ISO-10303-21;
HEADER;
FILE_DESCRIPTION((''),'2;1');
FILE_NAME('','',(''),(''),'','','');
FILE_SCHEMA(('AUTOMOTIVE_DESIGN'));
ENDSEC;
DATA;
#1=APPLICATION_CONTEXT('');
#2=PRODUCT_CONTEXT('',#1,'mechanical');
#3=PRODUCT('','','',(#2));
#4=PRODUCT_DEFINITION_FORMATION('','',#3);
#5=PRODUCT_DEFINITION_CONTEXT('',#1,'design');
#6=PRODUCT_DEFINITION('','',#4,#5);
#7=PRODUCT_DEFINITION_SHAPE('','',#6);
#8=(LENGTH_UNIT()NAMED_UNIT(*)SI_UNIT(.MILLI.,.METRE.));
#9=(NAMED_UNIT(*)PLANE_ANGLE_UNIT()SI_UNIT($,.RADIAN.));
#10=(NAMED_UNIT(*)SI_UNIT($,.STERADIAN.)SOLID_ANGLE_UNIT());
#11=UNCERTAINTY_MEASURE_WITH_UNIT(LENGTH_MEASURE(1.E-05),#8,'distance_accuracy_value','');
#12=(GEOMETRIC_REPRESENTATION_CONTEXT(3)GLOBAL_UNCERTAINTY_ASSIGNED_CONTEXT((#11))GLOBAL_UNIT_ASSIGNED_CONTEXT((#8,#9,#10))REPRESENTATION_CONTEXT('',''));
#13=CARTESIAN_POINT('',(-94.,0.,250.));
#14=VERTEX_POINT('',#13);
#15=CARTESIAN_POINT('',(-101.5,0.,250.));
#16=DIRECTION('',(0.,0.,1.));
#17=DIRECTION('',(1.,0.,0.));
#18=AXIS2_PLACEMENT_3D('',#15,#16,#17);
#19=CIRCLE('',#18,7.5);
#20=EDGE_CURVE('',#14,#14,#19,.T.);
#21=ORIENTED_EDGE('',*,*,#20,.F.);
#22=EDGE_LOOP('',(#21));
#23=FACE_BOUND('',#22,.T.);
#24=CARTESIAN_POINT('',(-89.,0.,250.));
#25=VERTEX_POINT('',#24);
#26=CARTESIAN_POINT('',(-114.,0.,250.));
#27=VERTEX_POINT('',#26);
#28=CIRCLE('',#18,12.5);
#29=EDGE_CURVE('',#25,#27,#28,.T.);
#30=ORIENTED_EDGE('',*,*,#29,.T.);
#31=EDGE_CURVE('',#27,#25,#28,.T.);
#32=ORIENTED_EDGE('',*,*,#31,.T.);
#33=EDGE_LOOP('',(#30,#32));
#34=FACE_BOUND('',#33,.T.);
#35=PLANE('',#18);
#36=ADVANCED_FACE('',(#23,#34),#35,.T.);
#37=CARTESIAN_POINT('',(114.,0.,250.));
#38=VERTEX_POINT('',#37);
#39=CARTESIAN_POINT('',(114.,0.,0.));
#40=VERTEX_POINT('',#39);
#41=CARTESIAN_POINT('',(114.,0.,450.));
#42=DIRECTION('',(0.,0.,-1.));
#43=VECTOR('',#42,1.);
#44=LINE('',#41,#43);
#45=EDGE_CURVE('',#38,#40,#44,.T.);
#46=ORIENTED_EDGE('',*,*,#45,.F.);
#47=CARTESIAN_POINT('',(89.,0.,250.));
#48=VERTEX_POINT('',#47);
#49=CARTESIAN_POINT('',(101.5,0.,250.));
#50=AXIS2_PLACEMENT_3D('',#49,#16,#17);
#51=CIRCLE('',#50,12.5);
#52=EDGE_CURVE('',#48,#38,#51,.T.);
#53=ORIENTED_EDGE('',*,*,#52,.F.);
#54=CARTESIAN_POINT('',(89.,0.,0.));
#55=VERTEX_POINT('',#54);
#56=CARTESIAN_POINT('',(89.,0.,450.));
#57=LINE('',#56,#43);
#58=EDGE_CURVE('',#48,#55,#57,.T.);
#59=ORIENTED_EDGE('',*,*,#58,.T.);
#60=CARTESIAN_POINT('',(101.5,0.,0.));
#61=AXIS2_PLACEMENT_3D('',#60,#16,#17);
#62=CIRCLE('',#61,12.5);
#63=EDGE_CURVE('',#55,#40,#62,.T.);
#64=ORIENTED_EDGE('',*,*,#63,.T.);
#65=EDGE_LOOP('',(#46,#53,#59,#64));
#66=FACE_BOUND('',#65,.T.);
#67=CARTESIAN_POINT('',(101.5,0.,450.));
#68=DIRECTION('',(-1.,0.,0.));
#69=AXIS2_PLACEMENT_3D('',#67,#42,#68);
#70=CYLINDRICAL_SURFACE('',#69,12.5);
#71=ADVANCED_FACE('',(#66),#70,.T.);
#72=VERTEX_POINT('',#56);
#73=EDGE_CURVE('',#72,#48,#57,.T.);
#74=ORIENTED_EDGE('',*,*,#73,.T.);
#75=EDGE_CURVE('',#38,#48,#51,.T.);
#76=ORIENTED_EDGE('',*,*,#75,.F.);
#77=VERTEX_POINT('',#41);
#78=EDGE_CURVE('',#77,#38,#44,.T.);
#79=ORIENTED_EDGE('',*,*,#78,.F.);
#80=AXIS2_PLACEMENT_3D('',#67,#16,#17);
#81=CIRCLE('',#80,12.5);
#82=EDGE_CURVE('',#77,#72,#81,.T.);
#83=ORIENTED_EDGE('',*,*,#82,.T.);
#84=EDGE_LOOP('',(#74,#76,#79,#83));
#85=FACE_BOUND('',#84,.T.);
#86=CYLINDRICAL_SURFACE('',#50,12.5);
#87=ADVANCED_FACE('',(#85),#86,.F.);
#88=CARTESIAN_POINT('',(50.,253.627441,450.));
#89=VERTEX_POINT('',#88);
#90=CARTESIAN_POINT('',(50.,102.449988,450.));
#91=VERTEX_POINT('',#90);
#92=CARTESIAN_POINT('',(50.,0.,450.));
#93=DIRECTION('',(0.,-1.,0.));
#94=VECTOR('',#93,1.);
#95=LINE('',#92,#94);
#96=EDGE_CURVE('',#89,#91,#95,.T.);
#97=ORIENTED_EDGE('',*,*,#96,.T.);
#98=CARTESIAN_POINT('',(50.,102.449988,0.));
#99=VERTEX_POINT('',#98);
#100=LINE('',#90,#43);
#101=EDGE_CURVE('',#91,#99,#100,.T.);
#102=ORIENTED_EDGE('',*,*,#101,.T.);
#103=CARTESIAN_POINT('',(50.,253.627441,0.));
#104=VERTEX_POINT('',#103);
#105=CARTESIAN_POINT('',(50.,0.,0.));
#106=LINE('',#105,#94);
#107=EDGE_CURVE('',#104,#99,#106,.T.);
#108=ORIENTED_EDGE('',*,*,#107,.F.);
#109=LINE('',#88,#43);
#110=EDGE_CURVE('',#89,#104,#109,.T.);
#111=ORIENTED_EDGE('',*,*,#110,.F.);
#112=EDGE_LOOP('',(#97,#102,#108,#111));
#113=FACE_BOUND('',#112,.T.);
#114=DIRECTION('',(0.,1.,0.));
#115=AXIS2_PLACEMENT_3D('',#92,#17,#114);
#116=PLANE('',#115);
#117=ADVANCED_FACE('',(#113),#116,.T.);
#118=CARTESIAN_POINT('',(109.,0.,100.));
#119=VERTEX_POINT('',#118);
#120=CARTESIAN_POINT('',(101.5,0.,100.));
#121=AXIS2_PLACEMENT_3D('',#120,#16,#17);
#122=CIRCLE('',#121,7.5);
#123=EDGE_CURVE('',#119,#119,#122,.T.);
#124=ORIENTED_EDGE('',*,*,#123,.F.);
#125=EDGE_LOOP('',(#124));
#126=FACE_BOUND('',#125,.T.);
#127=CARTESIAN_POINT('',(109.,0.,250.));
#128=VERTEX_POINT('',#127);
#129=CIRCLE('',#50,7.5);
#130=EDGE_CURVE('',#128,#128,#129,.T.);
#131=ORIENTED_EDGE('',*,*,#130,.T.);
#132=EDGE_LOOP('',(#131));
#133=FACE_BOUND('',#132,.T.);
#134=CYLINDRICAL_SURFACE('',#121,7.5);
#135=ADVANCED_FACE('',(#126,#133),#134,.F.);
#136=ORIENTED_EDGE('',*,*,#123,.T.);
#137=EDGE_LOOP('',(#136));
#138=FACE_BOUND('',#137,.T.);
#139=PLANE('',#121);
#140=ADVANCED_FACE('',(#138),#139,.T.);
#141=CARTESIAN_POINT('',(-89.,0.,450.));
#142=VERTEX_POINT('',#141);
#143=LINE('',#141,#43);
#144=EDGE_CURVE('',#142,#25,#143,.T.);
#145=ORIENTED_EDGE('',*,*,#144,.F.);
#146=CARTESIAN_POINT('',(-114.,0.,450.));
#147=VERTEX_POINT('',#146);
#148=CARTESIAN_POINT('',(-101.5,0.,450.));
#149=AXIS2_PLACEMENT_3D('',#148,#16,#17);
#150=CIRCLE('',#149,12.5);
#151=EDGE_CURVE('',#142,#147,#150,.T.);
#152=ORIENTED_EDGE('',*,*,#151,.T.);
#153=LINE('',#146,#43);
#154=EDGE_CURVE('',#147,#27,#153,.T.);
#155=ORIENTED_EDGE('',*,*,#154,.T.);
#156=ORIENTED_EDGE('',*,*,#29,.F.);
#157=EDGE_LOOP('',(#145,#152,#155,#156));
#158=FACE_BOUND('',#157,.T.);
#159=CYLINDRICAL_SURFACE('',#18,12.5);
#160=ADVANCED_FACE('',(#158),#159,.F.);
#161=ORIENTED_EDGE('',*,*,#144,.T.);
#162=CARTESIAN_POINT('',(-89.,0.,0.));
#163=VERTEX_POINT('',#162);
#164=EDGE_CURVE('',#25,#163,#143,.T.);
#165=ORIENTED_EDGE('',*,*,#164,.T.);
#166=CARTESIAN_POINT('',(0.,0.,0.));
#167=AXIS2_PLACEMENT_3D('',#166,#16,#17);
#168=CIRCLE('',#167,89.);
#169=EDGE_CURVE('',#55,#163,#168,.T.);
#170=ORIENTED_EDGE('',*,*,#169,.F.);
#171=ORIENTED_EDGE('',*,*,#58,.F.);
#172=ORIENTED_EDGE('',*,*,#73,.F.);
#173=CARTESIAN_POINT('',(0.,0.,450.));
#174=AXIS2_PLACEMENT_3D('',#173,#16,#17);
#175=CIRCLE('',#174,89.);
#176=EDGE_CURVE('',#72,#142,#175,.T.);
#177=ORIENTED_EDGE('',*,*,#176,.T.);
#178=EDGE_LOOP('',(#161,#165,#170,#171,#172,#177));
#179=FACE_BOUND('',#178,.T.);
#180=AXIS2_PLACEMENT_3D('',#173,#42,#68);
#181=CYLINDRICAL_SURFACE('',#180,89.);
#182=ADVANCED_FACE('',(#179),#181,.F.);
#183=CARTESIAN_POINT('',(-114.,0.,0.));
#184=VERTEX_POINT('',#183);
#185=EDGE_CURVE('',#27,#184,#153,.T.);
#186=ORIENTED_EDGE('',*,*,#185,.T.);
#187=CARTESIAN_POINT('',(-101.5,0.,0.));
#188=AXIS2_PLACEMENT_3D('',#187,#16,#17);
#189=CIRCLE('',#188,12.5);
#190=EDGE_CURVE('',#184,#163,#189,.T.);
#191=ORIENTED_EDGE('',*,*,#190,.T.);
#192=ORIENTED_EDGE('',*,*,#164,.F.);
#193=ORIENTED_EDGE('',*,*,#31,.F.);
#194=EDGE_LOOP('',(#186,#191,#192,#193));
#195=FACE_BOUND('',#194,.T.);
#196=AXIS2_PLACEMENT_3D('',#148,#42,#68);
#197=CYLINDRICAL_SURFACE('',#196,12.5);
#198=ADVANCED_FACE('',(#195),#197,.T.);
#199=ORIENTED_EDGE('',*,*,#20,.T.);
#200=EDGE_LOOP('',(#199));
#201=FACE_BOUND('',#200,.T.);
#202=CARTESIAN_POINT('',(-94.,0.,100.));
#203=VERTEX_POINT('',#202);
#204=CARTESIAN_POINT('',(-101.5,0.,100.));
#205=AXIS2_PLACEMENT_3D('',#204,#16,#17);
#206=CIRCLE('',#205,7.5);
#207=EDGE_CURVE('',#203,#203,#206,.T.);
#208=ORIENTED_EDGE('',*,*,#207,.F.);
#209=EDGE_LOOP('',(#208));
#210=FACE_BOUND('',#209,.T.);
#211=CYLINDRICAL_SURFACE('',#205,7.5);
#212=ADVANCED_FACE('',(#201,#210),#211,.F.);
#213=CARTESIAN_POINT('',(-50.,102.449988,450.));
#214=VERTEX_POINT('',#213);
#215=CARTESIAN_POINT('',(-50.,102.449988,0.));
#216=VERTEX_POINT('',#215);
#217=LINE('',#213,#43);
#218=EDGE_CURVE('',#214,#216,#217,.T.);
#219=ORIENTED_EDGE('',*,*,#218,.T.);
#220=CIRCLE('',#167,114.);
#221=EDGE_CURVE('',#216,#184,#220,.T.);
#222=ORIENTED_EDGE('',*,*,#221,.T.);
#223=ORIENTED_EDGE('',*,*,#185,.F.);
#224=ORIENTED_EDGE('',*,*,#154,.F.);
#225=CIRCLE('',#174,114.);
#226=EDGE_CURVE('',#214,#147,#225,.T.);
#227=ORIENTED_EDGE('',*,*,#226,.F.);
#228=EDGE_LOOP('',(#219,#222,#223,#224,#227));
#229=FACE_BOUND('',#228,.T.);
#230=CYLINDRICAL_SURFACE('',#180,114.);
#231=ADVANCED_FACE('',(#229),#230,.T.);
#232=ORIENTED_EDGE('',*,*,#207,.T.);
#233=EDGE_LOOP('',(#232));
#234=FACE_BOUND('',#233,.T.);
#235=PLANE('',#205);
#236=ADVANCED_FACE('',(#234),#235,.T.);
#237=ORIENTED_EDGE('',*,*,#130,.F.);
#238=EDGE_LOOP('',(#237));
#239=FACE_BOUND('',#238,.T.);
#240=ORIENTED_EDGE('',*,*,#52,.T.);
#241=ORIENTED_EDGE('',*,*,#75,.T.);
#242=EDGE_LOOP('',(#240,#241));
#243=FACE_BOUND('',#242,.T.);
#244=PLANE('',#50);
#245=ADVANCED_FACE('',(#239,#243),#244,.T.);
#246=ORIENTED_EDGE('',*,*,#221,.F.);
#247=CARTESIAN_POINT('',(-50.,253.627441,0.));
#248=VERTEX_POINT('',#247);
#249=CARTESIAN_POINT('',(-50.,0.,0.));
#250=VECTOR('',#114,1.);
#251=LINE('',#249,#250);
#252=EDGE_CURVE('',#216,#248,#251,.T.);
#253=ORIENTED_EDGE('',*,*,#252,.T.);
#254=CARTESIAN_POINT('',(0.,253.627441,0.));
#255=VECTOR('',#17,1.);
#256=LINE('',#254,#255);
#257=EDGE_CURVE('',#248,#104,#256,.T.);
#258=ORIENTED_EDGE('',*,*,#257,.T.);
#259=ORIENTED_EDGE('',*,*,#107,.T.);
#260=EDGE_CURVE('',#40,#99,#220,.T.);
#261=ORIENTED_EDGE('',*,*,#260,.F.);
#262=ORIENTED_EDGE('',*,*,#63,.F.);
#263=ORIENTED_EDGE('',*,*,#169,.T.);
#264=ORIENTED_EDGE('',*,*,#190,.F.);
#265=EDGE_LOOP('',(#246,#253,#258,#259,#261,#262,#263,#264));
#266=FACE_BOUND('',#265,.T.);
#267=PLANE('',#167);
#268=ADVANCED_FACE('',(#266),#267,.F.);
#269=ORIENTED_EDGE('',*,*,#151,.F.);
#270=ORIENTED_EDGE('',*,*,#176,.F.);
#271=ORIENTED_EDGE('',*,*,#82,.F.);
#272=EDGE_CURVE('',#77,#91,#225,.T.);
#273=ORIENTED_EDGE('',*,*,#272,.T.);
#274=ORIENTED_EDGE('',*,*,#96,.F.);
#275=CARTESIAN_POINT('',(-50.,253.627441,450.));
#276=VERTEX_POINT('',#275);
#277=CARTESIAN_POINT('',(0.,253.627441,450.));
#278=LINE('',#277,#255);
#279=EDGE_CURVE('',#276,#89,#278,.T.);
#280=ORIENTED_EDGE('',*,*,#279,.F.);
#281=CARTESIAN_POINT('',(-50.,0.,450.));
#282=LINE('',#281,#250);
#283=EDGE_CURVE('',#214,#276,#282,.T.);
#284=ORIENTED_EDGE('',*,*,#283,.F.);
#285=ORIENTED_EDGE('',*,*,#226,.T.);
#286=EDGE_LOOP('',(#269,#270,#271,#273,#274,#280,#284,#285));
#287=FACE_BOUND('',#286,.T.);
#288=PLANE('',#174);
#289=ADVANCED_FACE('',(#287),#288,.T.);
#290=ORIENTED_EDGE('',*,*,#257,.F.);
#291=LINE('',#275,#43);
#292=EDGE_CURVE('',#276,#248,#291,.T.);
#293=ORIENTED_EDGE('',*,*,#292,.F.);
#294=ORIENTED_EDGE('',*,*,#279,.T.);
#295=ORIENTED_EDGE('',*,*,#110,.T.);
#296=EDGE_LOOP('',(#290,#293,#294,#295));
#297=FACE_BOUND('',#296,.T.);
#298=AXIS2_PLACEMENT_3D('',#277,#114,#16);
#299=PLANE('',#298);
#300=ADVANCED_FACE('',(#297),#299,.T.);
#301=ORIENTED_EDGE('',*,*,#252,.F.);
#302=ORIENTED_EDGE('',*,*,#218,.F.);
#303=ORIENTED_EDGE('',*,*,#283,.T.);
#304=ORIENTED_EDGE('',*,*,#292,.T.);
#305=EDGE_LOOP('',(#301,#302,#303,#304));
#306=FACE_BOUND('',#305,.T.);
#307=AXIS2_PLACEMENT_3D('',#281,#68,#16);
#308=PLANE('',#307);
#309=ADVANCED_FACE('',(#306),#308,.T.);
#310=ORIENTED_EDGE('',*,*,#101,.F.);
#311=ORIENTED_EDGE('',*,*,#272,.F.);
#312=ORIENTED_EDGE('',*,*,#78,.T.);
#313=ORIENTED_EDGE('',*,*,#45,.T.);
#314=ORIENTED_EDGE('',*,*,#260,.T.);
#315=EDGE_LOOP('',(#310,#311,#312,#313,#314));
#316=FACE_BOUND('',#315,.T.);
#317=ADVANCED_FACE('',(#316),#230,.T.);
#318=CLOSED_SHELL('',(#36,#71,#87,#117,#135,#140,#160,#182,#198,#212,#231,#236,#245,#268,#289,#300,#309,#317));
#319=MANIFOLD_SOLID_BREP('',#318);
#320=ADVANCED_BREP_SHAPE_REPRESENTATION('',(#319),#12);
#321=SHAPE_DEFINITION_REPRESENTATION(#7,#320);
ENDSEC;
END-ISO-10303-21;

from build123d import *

# Parameters (mm, degrees)
BOSS_EXTRU_1_DEPTH      = 450
ESQUISSE2_R             = 7.5
ENL_V_MAT_EXTRU_1_DEPTH = 350
ESQUISSE2_3_R           = 12.5
ESQUISSE2_3_R_2         = 7.5
ENL_V_MAT_EXTRU_2_DEPTH = 200


with BuildPart() as part:
    # Esquisse1 → Boss.-Extru.1 (new body)
    with BuildSketch(Plane.XY):
        with BuildLine():
            ThreePointArc((-89, 0), (0, 89), (89, 0))
            ThreePointArc((89, 0), (101.5, -12.5), (114, 0))
            ThreePointArc((114, 0), (96.685055722, 60.398675482), (50, 102.449987799))
            Line((50, 102.449987799), (50, 253.627440537))
            Line((50, 253.627440537), (-50, 253.627440537))
            Line((-50, 253.627440537), (-50, 102.449987799))
            ThreePointArc((-50, 102.449987799), (-96.685055722, 60.398675482), (-114, 0))
            ThreePointArc((-114, 0), (-101.5, -12.5), (-89, 0))
        make_face()
    extrude(amount=BOSS_EXTRU_1_DEPTH)

    # Esquisse2 → Enlèv. mat.-Extru.1 (cut)
    with BuildSketch(Plane.XY.offset(450)):
        with Locations((101.5, 0)):
            Circle(ESQUISSE2_R)
        with Locations((-101.5, 0)):
            Circle(ESQUISSE2_R)
    extrude(amount=-ENL_V_MAT_EXTRU_1_DEPTH, mode=Mode.SUBTRACT)

    # Esquisse2<3> → Enlèv. mat.-Extru.2 (cut)
    # profile 1 of 2: a face of its own
    with BuildSketch(Plane.XY.offset(450)):
        with Locations((-101.5, 0)):
            Circle(ESQUISSE2_3_R)
        with Locations((-101.5, 0)):
            Circle(ESQUISSE2_3_R_2, mode=Mode.SUBTRACT)
    # profile 2 of 2: a face of its own
    with BuildSketch(Plane.XY.offset(450)):
        with Locations((101.5, 0)):
            Circle(ESQUISSE2_3_R)
        with Locations((101.5, 0)):
            Circle(ESQUISSE2_3_R_2, mode=Mode.SUBTRACT)
    extrude(amount=-ENL_V_MAT_EXTRU_2_DEPTH, mode=Mode.SUBTRACT)


solid = part.part
